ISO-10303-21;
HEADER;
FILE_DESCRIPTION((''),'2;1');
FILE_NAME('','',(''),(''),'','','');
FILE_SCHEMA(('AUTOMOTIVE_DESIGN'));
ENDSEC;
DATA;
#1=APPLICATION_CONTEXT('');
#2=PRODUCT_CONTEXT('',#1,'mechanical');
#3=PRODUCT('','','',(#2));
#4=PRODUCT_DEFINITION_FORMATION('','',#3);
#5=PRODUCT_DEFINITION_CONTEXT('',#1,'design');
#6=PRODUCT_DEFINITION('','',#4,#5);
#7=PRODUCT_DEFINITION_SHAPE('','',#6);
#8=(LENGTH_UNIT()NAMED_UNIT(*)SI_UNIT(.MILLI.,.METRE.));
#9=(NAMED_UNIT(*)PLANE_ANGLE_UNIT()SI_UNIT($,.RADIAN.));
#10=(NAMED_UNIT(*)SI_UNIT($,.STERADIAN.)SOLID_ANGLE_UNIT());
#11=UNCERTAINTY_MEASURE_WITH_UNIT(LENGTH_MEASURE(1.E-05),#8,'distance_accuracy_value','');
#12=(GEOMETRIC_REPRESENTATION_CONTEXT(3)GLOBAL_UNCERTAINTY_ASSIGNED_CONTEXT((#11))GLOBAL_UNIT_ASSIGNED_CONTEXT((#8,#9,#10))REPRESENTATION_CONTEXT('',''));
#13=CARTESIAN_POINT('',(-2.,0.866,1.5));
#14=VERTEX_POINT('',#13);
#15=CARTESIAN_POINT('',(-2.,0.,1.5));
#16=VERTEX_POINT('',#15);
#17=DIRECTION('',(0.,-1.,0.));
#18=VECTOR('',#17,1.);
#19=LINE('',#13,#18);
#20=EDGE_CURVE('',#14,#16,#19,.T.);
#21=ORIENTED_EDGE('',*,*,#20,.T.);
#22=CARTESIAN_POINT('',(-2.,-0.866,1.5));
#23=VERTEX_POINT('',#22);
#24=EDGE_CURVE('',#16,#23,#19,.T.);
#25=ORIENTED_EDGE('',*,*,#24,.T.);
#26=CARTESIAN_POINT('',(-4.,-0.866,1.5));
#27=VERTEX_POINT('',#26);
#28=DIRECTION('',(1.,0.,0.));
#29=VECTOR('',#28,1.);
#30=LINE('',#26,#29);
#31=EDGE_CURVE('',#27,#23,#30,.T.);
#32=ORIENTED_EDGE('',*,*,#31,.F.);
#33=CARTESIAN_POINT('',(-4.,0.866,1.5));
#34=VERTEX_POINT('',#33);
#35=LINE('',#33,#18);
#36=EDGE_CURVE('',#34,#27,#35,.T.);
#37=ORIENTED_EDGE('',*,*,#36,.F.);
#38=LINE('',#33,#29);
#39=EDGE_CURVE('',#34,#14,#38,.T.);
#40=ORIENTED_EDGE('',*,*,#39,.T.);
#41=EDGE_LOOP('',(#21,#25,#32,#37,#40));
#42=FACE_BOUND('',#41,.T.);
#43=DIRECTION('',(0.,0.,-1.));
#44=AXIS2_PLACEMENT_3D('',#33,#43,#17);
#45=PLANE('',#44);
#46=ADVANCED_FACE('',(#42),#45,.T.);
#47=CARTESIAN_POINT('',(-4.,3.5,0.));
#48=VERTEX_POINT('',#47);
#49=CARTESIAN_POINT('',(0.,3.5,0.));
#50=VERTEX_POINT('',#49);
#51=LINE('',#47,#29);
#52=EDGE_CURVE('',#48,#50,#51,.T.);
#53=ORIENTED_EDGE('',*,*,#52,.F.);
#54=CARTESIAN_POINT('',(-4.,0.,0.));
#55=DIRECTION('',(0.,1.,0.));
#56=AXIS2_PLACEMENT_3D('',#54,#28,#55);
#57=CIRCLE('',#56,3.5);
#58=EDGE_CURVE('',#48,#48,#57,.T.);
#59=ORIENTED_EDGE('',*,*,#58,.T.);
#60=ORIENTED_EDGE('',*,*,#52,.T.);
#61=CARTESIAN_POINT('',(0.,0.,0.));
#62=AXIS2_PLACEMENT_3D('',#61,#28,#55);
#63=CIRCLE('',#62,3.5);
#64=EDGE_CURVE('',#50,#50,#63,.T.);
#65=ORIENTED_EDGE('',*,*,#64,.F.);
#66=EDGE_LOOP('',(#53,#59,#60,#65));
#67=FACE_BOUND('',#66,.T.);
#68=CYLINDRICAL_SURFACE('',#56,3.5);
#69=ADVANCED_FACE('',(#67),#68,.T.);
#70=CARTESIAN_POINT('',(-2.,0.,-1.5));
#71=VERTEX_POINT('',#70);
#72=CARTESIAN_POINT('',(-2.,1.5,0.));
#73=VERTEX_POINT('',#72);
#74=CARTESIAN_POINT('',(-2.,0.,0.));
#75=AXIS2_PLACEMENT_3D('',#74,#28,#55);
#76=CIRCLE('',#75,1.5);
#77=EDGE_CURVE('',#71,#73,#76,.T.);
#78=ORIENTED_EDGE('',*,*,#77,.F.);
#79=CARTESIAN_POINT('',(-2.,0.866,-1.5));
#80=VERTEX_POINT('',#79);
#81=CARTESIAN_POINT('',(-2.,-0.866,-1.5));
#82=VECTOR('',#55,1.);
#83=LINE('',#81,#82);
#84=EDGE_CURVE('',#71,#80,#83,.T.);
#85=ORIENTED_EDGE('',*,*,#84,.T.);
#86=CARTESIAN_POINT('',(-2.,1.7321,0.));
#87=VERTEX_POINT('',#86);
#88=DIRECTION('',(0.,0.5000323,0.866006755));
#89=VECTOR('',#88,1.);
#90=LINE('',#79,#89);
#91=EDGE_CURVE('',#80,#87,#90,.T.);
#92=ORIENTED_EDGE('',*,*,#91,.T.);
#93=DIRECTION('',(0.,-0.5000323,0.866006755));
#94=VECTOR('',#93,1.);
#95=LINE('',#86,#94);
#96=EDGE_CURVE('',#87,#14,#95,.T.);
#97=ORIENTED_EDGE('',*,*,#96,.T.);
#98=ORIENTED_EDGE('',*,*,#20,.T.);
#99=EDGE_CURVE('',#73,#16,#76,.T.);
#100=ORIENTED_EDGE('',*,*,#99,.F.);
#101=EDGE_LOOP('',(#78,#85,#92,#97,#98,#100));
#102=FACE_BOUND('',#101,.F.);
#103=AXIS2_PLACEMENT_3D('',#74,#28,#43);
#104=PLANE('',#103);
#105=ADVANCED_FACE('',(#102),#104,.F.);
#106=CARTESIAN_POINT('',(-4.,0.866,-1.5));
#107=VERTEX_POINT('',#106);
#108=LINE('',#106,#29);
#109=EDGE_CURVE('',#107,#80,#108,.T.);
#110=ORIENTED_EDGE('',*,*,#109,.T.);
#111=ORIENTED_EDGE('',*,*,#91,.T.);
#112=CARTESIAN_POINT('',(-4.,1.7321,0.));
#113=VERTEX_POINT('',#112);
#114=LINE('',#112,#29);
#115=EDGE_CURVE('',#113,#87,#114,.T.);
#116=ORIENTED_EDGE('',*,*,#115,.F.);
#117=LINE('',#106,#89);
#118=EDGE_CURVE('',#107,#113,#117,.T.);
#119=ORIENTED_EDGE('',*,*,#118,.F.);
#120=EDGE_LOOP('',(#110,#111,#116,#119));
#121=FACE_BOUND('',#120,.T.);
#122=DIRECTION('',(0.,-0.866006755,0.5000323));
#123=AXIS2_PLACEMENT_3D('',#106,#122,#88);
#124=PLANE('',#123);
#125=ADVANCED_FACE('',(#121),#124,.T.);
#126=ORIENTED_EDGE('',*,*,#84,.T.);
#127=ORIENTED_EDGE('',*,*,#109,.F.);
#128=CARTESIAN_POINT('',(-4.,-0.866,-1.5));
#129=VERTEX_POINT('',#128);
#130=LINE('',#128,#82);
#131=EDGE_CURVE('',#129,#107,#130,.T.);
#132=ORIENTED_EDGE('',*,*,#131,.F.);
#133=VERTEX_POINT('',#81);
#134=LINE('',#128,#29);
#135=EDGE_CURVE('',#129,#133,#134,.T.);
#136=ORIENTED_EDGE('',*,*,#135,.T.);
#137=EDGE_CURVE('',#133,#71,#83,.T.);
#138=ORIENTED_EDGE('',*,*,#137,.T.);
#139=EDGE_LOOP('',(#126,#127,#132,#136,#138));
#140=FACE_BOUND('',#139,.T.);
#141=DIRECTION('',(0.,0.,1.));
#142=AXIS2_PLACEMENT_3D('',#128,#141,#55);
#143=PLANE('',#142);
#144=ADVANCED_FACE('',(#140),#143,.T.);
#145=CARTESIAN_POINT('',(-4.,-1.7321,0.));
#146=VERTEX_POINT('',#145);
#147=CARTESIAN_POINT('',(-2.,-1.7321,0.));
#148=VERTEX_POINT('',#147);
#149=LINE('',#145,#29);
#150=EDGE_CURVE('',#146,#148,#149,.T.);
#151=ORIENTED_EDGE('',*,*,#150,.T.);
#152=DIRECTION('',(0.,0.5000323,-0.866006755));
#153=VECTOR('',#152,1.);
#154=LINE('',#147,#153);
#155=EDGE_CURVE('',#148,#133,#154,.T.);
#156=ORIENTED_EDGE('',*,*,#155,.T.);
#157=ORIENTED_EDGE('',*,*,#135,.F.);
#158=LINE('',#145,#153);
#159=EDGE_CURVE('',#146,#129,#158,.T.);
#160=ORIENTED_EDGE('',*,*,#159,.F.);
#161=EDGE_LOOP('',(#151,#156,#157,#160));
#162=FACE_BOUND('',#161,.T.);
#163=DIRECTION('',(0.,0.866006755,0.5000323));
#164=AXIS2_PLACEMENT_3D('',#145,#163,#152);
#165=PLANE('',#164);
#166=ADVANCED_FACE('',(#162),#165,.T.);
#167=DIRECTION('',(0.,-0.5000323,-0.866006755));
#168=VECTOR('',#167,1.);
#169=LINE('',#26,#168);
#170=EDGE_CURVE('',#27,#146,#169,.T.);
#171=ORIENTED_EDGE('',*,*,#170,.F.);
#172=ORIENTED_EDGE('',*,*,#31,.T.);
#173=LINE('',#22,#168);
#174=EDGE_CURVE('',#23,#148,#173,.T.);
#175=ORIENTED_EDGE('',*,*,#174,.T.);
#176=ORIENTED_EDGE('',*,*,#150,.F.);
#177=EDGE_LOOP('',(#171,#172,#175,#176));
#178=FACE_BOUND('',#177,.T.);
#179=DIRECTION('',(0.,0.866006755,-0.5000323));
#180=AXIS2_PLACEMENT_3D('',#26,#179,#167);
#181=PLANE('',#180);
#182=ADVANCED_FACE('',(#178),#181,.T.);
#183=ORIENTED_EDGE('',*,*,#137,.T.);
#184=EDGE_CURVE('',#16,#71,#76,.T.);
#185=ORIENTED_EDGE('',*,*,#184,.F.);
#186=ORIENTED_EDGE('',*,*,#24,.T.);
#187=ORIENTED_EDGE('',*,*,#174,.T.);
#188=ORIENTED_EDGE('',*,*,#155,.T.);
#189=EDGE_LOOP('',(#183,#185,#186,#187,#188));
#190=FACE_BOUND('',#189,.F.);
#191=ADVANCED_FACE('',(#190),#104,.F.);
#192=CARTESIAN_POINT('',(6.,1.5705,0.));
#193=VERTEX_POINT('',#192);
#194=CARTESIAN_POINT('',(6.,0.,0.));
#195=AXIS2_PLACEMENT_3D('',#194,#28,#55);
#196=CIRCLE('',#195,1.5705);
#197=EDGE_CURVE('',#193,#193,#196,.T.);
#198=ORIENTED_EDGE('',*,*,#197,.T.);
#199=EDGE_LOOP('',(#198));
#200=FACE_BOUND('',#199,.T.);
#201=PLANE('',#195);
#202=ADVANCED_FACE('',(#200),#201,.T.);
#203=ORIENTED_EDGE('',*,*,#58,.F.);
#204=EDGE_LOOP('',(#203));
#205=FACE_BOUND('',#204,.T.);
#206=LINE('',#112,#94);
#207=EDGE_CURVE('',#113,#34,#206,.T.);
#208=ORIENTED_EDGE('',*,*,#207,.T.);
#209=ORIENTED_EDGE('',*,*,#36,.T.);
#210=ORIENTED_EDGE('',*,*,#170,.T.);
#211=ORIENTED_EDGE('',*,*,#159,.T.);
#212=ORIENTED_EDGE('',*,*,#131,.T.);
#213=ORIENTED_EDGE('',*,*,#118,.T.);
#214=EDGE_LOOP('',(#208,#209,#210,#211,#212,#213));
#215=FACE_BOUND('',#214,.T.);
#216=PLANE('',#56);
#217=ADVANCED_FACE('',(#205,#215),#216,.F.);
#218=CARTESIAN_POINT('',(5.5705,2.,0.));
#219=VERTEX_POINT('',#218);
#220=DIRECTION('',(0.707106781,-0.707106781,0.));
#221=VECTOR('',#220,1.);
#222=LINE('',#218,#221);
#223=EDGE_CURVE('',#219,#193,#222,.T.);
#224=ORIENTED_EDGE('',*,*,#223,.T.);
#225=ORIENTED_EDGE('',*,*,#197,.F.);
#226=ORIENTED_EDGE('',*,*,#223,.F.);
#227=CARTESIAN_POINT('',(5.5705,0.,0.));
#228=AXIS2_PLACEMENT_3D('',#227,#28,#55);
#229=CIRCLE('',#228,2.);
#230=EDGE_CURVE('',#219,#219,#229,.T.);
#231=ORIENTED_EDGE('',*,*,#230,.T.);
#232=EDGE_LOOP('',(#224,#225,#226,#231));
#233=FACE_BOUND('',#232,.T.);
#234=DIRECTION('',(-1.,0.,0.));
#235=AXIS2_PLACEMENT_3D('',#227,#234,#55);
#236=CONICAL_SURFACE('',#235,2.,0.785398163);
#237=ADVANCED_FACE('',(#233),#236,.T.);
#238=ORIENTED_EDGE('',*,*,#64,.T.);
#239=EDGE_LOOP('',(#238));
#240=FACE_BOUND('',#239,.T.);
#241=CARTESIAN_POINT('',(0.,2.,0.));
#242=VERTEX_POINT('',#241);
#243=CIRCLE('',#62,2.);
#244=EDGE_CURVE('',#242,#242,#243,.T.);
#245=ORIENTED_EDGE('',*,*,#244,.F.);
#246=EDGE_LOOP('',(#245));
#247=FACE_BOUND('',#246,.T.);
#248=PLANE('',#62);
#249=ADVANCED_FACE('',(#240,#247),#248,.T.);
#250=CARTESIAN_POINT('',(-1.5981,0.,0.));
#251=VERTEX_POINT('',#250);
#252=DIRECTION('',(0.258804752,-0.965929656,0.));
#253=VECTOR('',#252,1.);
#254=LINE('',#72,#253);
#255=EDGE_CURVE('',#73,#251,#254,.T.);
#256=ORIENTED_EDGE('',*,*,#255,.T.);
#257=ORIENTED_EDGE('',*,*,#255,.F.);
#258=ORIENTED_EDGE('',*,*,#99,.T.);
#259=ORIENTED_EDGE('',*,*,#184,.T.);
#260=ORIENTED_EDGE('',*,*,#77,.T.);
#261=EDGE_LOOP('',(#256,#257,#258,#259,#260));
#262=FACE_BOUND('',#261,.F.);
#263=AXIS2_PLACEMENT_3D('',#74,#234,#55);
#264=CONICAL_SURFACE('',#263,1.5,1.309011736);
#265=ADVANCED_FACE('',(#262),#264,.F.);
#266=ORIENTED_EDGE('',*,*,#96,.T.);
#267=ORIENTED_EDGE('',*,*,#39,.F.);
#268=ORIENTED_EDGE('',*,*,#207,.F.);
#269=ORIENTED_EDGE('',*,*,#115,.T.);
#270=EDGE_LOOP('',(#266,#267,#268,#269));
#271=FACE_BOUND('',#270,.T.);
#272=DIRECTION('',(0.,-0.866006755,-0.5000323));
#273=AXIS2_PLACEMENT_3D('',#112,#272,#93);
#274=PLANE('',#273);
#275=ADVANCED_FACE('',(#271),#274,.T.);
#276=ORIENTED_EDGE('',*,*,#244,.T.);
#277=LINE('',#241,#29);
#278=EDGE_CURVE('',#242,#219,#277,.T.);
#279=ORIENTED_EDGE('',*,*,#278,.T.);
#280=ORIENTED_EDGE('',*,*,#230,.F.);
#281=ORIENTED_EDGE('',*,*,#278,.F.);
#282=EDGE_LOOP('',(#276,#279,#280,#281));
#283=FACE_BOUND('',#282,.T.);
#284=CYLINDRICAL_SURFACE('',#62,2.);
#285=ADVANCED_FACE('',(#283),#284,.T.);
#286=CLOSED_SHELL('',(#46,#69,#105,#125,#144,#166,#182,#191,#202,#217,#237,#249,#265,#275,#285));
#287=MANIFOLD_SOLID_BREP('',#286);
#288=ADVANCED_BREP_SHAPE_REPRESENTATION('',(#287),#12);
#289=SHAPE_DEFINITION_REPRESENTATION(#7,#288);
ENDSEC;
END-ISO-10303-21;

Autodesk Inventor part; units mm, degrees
sketch "Sketch_1" plane through (0, 0, 0) normal (0, 0, 1) x (1, 0, 0)
  line L0 (6, 0) -> (-4, 0)
  line L1 (-4, 0) -> (-4, 3.5)
  line L2 (-4, 3.5) -> (0, 3.5)
  line L3 (0, 3.5) -> (0, 2)
  line L4 (0, 2) -> (5.5705, 2)
  line L5 (5.5705, 2) -> (6, 1.5705)
  line L6 (6, 1.5705) -> (6, 0)
  line L7 (6, 0) -> (-4, 0)
revolve "Revolution1" add sketch "Sketch_1" angle 360 about axis through (6, 0, 0) along (1, 0, 0)
thread "Thread1" size "M4x0.7" class "6g" standard "ISO Metric profile" length 5.5 offset 0.5
sketch "Sketch_4" plane through (0, 0, 0) normal (0, 0, 1) x (1, 0, 0)
  line L0 (-1.5981, 0) -> (-4, 0)
  line L1 (-4, 0) -> (-4, 1.5)
  line L2 (-4, 1.5) -> (-2, 1.5)
  line L3 (-2, 1.5) -> (-1.5981, 0)
  line L4 (-1.5981, 0) -> (-4, 0)
revolve "Revolution2" cut sketch "Sketch_4" angle 360 about axis through (-1.5981, 0, 0) along (1, 0, 0)
sketch "Sketch_3" plane through (-4, 0, 0) normal (1, 0, 0) x (0, 0, -1)
  line L0 (-1.5, 0.866) -> (-1.5, -0.866)
  line L1 (-1.5, -0.866) -> (0, -1.7321)
  line L2 (0, -1.7321) -> (1.5, -0.866)
  line L3 (1.5, -0.866) -> (1.5, 0.866)
  line L4 (1.5, 0.866) -> (0, 1.7321)
  line L5 (0, 1.7321) -> (-1.5, 0.866)
extrude "Extrusion1" cut sketch "Sketch_3" along normal blind 2
ref_plane "bolt_XY" through (0, 0, 0) normal (1, 0, 0) x (0, 0, -1)
ref_plane "bolt_YZ" through (0, 0, 0) normal (0, 0, -1) x (0, 1, 0)
ref_plane "bolt_ZX" through (0, 0, 0) normal (0, 1, 0) x (1, 0, 0)
ref_plane "nut_XY" through (6, 0, 0) normal (1, 0, 0) x (0, 0, -1)
ref_plane "nut_YZ" through (6, 0, 0) normal (0, 0, -1) x (0, 1, 0)
ref_plane "nut_ZX" through (6, 0, 0) normal (0, 1, 0) x (1, 0, 0)
properties part number "CBM4-6" material "MISUMI"
